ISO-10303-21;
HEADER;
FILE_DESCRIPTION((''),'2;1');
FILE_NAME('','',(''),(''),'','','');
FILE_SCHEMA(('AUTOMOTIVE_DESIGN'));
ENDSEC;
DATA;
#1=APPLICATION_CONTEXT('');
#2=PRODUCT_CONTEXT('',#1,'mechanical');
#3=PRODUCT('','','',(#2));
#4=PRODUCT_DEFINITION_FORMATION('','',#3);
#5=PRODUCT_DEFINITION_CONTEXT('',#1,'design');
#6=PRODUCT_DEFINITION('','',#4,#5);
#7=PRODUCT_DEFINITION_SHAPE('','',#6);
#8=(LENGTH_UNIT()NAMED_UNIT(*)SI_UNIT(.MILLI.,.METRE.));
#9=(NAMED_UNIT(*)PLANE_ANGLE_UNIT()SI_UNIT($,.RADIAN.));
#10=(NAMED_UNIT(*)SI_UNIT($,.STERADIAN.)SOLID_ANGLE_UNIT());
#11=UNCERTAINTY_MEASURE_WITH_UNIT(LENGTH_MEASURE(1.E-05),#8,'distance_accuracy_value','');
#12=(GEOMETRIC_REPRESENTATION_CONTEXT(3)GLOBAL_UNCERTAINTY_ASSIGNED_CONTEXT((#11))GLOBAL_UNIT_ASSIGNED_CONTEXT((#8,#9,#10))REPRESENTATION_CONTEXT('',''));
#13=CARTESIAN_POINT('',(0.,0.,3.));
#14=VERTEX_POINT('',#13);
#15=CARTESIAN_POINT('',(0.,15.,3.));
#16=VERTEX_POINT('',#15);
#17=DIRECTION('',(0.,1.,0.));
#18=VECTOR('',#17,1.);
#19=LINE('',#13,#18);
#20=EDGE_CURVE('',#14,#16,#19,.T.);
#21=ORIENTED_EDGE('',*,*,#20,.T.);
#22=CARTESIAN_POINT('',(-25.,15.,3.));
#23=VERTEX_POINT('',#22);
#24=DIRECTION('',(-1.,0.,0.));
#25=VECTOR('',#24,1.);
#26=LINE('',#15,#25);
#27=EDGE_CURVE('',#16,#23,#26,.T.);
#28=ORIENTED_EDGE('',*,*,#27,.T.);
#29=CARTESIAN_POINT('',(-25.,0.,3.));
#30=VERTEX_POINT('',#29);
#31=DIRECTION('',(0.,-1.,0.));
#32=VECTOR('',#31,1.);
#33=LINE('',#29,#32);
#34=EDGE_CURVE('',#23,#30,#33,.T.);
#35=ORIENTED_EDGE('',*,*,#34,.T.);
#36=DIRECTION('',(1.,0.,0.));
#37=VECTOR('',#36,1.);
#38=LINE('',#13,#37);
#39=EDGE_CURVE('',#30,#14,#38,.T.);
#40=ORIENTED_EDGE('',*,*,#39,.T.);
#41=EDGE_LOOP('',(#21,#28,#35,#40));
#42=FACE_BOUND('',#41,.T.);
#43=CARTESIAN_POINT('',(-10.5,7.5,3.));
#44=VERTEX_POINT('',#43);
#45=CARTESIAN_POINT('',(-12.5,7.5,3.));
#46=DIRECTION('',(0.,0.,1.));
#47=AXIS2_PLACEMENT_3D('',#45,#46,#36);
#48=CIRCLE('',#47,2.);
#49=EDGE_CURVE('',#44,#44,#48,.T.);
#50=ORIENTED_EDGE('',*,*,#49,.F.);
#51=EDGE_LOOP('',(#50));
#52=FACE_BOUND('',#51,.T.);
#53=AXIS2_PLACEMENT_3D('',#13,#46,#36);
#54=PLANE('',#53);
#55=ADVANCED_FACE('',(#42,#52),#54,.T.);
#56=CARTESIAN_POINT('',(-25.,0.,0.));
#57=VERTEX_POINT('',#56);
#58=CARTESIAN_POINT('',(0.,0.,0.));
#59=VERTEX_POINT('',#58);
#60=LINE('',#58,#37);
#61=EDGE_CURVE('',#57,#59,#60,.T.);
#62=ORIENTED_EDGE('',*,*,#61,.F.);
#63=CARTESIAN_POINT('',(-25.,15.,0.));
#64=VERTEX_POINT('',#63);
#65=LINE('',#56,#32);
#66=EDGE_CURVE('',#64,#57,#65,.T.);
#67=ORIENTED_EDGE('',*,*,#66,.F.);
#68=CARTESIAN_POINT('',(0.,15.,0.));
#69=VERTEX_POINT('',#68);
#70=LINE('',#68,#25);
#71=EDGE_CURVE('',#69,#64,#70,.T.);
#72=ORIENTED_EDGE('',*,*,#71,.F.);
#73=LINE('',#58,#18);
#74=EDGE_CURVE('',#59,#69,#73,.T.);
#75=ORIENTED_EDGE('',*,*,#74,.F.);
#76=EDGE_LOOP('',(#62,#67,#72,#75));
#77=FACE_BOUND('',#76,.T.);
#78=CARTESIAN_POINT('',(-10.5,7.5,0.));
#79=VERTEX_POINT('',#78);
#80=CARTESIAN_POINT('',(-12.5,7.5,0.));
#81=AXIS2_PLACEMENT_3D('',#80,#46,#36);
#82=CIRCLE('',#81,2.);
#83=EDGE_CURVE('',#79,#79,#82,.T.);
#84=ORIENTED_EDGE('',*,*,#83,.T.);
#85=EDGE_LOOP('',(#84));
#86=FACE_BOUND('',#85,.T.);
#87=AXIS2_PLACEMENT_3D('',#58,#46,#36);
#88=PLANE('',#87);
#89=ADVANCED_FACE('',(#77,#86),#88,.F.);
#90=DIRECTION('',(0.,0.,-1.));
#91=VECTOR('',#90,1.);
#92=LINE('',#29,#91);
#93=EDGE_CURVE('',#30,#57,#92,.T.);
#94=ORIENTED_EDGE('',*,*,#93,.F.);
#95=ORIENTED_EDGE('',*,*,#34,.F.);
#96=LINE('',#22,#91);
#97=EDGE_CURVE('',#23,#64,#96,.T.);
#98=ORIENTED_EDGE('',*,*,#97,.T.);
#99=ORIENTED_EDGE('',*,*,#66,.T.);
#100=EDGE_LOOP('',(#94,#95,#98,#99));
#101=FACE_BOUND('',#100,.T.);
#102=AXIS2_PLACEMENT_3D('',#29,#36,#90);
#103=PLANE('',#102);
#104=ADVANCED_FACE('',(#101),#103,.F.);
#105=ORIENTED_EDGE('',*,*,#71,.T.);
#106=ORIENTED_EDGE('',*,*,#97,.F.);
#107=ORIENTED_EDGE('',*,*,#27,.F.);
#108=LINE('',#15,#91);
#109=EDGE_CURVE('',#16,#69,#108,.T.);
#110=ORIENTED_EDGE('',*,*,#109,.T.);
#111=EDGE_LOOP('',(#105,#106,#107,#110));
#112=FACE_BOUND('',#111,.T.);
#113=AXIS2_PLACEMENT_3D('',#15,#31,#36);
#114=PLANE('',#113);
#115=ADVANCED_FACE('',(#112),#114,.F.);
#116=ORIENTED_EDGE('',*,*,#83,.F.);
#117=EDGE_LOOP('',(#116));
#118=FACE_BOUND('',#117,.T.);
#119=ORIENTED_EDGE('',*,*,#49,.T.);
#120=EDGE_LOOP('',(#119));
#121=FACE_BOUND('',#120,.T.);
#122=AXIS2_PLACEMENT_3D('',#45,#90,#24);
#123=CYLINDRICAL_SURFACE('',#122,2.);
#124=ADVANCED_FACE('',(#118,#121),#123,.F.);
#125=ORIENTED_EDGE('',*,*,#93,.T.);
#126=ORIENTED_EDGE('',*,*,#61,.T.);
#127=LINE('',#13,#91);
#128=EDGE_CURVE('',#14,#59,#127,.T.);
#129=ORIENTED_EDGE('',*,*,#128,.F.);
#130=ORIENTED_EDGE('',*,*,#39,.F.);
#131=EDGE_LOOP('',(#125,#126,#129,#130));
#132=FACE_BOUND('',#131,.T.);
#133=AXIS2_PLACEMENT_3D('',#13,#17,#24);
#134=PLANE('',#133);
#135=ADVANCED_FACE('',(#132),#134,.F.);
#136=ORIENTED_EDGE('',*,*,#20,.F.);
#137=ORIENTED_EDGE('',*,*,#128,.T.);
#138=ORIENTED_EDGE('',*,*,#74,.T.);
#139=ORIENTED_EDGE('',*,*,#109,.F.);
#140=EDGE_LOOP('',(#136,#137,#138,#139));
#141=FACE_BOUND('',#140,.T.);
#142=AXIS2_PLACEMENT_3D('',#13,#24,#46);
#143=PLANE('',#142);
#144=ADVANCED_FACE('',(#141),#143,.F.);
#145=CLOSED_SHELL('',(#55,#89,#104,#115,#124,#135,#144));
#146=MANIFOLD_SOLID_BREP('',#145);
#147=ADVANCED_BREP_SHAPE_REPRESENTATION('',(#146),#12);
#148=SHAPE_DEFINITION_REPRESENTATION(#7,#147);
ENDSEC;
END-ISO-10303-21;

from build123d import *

# Parameters (mm, degrees)
SKETCH1_W           = 25
SKETCH1_H           = 15
SKETCH1_R           = 2
BOSS_EXTRUDE1_DEPTH = 3


with BuildPart() as part:
    # Sketch1 → Boss-Extrude1 (new body)
    with BuildSketch(Plane.XY):
        with Locations((-12.5, 7.5)):
            Rectangle(SKETCH1_W, SKETCH1_H)
        with Locations((-12.5, 7.5)):
            Circle(SKETCH1_R, mode=Mode.SUBTRACT)
    extrude(amount=BOSS_EXTRUDE1_DEPTH)


solid = part.part
